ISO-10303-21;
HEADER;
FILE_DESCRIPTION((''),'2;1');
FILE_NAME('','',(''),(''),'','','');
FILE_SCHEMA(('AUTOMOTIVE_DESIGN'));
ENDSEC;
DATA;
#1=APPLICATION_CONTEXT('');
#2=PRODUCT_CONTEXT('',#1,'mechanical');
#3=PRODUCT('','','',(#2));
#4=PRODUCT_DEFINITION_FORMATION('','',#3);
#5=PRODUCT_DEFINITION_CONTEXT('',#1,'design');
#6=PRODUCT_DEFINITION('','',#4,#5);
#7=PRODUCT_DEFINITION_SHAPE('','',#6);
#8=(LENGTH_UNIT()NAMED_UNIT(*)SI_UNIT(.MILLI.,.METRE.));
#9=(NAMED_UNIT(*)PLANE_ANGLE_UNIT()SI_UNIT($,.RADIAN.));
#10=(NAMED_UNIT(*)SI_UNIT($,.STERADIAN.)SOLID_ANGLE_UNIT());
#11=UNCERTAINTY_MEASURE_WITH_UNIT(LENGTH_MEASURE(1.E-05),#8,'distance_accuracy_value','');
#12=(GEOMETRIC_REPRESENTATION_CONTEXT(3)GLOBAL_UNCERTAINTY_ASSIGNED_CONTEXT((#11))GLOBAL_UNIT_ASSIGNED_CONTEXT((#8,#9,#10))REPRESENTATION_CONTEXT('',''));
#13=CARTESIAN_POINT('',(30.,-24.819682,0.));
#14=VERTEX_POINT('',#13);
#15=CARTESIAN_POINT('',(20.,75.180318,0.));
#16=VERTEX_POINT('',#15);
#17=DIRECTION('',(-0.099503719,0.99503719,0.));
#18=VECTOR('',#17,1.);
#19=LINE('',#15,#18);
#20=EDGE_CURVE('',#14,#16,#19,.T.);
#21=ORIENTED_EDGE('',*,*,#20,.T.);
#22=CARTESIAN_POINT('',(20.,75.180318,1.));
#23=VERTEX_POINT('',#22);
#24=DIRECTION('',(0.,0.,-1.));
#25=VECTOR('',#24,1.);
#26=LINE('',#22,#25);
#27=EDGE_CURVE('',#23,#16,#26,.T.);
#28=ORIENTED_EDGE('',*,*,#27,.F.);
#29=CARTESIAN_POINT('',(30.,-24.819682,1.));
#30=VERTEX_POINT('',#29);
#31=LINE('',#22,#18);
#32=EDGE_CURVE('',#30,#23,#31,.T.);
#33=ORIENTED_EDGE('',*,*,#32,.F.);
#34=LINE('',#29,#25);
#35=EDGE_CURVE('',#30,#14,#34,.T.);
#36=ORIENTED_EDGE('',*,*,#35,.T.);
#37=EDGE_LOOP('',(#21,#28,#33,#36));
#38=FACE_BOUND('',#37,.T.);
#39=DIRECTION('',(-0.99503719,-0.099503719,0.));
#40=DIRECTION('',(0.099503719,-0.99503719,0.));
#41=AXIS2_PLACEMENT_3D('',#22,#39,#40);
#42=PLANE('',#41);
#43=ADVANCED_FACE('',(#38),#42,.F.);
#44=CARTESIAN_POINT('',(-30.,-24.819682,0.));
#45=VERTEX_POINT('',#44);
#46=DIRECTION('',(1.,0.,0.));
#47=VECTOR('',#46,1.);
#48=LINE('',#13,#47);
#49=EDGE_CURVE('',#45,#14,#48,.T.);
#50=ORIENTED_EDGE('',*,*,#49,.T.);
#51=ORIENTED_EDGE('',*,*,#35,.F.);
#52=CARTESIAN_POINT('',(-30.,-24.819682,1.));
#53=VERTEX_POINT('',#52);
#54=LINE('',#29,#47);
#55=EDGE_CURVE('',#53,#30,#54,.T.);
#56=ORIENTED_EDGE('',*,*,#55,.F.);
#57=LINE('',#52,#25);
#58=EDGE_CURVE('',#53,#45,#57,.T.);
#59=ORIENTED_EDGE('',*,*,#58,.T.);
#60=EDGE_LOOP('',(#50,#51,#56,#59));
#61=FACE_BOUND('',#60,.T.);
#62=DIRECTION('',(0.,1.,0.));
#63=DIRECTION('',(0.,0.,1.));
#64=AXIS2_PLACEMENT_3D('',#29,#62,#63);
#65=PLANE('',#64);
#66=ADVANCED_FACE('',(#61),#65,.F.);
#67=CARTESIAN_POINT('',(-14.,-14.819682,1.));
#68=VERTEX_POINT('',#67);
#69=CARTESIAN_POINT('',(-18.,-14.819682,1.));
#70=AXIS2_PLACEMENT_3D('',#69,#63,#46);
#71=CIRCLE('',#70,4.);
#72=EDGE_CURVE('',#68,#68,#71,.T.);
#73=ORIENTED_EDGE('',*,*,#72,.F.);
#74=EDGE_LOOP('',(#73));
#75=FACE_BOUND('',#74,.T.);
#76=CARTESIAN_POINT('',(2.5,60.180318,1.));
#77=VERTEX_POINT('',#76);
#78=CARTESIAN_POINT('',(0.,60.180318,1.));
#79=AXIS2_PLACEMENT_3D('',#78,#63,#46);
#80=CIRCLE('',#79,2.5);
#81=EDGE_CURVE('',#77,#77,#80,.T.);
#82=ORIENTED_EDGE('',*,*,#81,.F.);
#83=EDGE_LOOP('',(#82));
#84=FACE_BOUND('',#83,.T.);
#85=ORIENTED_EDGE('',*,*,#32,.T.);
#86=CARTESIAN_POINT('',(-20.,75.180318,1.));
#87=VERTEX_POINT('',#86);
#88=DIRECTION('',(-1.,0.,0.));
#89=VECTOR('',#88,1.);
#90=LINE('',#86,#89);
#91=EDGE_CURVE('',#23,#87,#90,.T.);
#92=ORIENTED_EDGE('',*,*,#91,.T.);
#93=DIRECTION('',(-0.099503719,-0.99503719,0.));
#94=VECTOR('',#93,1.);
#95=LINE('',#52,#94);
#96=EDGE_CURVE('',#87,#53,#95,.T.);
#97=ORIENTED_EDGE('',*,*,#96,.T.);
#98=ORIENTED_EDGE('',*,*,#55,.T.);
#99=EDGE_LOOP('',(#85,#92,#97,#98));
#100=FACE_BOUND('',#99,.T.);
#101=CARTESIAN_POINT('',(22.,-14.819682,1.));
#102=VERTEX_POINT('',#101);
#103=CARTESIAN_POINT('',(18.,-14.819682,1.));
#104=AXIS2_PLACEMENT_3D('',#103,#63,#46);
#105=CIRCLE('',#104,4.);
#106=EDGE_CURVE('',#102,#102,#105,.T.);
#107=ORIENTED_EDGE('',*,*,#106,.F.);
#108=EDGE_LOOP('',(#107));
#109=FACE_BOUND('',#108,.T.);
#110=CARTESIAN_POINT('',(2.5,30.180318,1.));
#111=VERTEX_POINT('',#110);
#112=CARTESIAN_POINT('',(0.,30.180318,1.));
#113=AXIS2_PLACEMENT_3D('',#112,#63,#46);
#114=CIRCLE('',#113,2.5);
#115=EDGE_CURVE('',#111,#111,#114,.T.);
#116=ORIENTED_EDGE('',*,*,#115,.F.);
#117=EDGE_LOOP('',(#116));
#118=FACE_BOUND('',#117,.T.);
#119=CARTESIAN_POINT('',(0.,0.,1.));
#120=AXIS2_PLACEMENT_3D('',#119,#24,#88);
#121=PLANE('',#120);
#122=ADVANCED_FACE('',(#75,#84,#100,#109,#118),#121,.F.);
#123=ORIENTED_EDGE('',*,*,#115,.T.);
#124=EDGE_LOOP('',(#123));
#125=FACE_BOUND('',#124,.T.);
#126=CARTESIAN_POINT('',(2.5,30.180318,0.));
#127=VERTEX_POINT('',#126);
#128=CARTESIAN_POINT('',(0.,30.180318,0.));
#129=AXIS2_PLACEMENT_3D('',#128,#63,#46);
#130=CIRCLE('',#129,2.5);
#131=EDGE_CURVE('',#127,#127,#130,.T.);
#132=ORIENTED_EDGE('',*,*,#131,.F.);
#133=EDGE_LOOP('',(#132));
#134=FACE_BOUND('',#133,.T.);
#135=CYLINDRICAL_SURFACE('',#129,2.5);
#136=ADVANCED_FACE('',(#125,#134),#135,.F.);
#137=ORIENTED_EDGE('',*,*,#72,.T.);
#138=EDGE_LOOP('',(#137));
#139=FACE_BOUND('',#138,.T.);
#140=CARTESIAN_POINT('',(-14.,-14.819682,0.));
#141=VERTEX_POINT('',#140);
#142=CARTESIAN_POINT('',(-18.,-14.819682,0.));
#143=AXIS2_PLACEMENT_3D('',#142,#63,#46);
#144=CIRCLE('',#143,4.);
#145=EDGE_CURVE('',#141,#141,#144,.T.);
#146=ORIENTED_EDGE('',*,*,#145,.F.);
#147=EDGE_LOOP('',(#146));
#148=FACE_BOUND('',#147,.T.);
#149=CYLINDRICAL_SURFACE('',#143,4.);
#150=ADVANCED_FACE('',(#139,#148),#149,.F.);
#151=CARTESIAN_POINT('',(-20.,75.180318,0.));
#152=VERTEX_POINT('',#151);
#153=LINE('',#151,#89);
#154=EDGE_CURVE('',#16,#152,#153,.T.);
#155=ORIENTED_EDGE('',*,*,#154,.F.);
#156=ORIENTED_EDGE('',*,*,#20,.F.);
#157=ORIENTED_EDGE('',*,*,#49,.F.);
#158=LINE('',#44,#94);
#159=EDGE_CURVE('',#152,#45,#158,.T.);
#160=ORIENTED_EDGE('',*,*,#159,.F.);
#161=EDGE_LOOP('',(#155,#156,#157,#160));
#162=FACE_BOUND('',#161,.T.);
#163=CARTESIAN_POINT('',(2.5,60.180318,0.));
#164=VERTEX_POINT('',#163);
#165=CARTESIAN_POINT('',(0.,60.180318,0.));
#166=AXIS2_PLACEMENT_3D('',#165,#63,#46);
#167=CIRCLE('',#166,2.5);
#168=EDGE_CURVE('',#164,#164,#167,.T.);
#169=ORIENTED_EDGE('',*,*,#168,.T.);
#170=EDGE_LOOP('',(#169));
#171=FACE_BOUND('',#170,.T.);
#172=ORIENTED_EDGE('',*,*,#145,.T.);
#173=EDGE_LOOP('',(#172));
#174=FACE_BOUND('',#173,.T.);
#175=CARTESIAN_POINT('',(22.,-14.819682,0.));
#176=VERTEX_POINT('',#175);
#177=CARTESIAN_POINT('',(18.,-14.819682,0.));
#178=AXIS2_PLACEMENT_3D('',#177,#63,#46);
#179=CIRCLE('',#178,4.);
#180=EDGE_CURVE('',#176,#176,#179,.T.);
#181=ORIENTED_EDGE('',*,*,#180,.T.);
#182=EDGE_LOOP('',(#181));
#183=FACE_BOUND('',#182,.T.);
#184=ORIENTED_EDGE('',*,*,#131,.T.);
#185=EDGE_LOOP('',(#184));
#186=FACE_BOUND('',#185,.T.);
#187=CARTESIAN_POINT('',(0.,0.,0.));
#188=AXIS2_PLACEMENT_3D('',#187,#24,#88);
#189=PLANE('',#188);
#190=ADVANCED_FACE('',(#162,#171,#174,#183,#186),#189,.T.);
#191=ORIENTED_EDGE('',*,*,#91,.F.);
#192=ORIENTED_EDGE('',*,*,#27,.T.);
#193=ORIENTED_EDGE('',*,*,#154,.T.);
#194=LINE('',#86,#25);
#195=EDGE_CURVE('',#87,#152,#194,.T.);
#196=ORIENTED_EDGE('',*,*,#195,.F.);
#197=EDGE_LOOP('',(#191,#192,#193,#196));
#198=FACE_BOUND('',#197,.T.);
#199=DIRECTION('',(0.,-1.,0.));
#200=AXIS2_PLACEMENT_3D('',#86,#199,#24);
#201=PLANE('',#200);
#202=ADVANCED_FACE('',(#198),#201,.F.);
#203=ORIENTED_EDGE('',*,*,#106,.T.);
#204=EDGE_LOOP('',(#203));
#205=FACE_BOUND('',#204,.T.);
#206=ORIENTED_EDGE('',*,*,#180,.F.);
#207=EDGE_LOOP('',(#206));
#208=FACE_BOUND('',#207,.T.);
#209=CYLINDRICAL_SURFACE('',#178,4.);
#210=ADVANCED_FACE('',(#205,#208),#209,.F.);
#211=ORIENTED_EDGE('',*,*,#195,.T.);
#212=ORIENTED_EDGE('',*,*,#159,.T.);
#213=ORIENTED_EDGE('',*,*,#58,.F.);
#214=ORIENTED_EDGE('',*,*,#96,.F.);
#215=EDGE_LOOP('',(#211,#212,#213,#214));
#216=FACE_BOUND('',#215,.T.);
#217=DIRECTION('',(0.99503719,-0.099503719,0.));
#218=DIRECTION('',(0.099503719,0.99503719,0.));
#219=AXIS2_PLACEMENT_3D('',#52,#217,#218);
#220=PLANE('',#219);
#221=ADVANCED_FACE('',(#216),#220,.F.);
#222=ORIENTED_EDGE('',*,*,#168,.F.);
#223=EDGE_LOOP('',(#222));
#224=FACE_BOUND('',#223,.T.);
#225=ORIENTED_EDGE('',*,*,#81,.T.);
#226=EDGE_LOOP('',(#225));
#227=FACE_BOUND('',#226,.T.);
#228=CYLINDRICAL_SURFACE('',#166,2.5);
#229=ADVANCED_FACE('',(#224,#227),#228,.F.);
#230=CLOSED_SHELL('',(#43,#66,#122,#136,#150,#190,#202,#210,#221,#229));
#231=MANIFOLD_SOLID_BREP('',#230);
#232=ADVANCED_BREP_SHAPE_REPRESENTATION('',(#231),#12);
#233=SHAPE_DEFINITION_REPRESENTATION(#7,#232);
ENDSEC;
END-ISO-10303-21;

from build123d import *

# Parameters (mm, degrees)
BOSS_EXTRUDE1_DEPTH = 1
SKETCH3_R           = 4
SKETCH3_R_2         = 2.5
CUT_EXTRUDE1_DEPTH  = 2


with BuildPart() as part:
    # Sketch2 → Boss-Extrude1 (new body)
    with BuildSketch(Plane.XY):
        Polygon((-20, 75.180318298), (20, 75.180318298), (30, -24.819681702), (-30, -24.819681702), align=None)
    extrude(amount=BOSS_EXTRUDE1_DEPTH)

    # Sketch3 → Cut-Extrude1 (cut, through all)
    with BuildSketch(Plane.XY.offset(1)):
        with Locations((18, -14.819681702)):
            Circle(SKETCH3_R)
        with Locations((-18, -14.819681702)):
            Circle(SKETCH3_R)
        with Locations((0, 60.180318298)):
            Circle(SKETCH3_R_2)
        with Locations((0, 30.180318298)):
            Circle(SKETCH3_R_2)
    extrude(amount=-CUT_EXTRUDE1_DEPTH, mode=Mode.SUBTRACT)


solid = part.part
